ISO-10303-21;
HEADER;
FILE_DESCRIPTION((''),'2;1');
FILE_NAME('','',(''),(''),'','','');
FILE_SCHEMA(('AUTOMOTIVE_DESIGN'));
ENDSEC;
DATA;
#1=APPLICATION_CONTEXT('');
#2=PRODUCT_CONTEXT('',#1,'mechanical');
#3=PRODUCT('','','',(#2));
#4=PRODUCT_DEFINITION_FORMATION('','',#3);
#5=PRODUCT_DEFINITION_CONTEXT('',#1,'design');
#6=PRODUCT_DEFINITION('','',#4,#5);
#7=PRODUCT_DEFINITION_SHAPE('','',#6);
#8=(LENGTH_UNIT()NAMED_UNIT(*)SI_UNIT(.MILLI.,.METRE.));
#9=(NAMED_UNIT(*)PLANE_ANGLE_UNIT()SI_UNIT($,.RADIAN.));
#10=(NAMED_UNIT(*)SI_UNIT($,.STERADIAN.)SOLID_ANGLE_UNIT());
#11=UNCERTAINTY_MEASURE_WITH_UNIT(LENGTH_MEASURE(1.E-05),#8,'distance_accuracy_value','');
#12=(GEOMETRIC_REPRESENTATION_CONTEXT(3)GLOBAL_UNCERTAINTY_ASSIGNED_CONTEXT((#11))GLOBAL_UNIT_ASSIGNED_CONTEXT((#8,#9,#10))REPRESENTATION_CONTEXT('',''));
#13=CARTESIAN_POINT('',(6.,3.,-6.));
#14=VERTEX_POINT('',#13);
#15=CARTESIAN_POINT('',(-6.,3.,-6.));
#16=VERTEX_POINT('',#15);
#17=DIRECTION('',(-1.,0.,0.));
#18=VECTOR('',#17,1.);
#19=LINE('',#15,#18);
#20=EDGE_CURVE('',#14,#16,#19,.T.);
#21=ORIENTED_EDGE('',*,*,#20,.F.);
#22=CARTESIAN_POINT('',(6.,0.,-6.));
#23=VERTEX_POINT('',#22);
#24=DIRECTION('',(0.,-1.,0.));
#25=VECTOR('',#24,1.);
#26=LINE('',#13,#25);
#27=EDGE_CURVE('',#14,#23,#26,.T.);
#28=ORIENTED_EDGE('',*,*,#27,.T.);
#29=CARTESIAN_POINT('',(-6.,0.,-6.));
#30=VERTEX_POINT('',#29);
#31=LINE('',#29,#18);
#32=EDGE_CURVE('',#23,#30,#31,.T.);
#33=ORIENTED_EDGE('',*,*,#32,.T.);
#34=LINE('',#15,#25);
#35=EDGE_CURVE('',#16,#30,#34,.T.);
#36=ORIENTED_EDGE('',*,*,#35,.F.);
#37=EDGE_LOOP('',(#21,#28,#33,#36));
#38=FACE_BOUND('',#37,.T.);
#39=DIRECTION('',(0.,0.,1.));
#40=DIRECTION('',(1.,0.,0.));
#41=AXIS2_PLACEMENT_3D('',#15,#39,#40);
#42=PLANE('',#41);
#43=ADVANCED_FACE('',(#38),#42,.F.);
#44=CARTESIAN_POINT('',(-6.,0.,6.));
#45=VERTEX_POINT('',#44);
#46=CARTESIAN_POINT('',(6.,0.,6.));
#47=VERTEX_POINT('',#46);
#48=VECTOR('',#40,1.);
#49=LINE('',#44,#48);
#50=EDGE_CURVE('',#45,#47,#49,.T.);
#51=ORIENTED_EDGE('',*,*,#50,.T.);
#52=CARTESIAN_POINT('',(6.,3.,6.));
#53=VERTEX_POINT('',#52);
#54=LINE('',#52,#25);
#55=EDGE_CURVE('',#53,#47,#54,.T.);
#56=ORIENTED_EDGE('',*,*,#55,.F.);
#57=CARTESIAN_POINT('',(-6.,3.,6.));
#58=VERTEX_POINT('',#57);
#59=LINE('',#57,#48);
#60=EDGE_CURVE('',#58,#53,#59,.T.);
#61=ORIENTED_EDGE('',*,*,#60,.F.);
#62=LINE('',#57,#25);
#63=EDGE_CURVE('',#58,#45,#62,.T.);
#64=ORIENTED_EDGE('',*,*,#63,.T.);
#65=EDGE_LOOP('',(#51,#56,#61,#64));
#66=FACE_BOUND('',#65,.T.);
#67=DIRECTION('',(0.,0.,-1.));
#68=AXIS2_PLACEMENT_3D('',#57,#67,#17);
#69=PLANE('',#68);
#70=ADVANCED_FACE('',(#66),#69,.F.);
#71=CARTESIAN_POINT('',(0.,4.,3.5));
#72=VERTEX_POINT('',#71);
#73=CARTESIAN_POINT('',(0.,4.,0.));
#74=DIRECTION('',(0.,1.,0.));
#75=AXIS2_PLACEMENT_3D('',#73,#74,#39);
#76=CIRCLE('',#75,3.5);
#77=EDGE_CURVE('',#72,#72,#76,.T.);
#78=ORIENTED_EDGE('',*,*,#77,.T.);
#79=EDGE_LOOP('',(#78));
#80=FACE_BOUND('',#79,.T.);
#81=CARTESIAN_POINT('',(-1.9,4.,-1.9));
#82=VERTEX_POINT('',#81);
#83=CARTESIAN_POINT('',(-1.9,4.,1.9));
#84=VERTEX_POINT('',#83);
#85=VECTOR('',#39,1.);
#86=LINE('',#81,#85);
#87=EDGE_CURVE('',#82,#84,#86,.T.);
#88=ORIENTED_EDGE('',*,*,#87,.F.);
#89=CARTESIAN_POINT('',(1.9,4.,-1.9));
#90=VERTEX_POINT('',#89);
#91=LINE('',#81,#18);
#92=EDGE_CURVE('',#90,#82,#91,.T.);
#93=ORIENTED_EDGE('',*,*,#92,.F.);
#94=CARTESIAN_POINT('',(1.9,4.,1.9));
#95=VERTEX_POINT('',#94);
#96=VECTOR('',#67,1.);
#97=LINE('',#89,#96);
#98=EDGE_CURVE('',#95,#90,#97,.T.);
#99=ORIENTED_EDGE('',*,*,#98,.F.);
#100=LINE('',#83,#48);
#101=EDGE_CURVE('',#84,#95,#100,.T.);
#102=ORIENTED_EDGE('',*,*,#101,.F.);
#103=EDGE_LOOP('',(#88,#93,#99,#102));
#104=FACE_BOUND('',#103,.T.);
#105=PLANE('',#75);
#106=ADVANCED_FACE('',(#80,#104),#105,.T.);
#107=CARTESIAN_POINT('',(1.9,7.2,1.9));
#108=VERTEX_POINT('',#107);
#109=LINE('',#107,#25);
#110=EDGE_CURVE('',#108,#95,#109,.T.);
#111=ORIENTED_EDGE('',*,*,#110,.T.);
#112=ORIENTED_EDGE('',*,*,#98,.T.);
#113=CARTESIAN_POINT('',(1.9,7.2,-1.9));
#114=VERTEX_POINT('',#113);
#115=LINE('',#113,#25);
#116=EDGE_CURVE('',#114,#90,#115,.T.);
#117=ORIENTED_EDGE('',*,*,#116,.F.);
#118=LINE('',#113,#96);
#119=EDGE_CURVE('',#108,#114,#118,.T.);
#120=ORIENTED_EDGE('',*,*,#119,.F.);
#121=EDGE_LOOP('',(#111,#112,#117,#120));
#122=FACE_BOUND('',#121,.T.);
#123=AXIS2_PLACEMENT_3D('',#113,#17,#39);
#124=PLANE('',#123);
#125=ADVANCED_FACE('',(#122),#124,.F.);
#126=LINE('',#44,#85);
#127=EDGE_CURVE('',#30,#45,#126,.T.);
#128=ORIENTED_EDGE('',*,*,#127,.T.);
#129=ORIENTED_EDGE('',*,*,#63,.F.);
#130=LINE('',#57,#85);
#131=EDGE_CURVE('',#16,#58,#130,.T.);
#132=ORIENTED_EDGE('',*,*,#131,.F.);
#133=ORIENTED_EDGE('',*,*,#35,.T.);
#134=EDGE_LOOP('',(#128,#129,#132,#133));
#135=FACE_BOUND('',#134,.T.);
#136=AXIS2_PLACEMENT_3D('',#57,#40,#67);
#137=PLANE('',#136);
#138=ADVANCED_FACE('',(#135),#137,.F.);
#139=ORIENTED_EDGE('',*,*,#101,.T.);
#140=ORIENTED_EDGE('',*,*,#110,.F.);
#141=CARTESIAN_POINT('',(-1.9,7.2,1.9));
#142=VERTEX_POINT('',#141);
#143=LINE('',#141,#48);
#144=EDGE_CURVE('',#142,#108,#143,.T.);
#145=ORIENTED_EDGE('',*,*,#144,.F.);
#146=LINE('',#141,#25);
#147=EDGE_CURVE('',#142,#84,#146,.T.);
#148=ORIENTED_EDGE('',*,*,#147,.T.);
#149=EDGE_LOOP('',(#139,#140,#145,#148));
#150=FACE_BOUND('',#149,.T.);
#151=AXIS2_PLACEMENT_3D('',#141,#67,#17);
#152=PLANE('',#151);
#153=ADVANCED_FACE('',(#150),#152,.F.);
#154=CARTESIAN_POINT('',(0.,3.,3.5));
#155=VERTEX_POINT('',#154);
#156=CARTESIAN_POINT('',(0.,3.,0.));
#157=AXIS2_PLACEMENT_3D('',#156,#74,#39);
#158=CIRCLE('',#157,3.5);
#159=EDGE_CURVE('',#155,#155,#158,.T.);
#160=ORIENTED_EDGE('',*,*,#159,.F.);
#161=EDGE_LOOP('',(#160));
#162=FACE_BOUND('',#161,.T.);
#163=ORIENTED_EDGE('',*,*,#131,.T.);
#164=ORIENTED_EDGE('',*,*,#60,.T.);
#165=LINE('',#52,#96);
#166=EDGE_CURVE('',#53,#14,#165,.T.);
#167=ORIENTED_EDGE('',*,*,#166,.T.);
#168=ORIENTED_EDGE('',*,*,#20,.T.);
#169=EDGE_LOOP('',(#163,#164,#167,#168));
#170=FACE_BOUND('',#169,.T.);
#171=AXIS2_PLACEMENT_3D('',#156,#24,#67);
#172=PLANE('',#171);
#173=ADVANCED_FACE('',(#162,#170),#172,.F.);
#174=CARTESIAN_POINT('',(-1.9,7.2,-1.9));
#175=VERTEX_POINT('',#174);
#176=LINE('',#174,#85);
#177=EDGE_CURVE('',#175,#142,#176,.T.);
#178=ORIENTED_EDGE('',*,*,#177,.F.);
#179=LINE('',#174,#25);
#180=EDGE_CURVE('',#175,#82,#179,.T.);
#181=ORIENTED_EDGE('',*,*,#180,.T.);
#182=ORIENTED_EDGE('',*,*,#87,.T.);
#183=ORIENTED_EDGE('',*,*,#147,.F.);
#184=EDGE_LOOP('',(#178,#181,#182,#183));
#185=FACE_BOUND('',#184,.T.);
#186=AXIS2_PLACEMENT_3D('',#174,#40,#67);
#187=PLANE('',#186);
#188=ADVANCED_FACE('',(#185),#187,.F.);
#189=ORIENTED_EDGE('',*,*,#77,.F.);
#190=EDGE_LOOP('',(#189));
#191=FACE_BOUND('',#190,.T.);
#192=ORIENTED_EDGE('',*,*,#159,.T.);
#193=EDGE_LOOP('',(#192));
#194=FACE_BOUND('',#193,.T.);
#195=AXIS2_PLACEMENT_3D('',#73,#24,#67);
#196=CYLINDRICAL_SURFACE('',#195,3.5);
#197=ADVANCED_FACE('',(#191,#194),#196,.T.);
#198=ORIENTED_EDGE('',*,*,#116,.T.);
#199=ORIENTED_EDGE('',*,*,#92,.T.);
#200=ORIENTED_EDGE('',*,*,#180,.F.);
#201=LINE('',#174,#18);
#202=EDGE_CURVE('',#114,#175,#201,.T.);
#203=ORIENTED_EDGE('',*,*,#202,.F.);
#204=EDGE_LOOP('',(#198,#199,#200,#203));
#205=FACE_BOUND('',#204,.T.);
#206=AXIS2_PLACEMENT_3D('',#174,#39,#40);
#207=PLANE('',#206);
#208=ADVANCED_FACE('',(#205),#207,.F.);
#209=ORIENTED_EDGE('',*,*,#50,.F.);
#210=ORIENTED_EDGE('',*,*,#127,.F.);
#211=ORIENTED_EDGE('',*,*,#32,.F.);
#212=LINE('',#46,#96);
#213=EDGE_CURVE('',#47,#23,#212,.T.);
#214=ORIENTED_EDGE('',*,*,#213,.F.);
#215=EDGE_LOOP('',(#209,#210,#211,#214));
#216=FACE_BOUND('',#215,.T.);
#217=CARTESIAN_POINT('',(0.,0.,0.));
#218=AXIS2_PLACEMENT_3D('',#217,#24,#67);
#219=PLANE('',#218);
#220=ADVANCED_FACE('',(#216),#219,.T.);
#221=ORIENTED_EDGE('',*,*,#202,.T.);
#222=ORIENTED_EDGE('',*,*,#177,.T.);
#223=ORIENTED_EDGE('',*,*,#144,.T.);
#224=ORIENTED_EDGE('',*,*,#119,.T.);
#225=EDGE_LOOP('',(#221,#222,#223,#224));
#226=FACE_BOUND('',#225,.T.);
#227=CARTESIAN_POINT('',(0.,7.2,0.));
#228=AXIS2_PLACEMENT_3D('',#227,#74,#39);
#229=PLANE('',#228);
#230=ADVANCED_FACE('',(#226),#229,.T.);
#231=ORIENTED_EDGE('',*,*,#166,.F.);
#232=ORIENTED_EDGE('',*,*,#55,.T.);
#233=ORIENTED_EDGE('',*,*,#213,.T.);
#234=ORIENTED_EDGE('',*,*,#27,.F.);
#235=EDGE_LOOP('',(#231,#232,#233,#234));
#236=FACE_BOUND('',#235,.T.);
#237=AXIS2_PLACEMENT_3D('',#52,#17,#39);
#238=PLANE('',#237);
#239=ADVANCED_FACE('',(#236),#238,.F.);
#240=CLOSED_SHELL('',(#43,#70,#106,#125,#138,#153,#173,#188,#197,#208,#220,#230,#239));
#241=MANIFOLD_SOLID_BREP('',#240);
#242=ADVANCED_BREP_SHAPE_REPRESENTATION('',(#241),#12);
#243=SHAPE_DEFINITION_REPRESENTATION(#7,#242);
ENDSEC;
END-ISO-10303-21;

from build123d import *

# Parameters (mm, degrees)
SKETCH1_W           = 12
SKETCH1_H           = 12
BOSS_EXTRUDE1_DEPTH = 3
SKETCH3_R           = 3.5
BOSS_EXTRUDE2_DEPTH = 1
SKETCH4_W           = 3.8
SKETCH4_H           = 3.8
BOSS_EXTRUDE3_DEPTH = 3.2


with BuildPart() as part:
    # Sketch1 → Boss-Extrude1 (new body)
    with BuildSketch(Plane(origin=(0, 0, 0), x_dir=(1, 0, 0), z_dir=(0, 1, 0))):
        Rectangle(SKETCH1_W, SKETCH1_H)
    extrude(amount=BOSS_EXTRUDE1_DEPTH)

    # Sketch3 → Boss-Extrude2 (add)
    with BuildSketch(Plane(origin=(0, 3, 0), x_dir=(1, 0, 0), z_dir=(0, 1, 0))):
        Circle(SKETCH3_R)
    extrude(amount=BOSS_EXTRUDE2_DEPTH)

    # Sketch4 → Boss-Extrude3 (add)
    with BuildSketch(Plane(origin=(0, 4, 0), x_dir=(1, 0, 0), z_dir=(0, 1, 0))):
        Rectangle(SKETCH4_W, SKETCH4_H)
    extrude(amount=BOSS_EXTRUDE3_DEPTH)


solid = part.part
